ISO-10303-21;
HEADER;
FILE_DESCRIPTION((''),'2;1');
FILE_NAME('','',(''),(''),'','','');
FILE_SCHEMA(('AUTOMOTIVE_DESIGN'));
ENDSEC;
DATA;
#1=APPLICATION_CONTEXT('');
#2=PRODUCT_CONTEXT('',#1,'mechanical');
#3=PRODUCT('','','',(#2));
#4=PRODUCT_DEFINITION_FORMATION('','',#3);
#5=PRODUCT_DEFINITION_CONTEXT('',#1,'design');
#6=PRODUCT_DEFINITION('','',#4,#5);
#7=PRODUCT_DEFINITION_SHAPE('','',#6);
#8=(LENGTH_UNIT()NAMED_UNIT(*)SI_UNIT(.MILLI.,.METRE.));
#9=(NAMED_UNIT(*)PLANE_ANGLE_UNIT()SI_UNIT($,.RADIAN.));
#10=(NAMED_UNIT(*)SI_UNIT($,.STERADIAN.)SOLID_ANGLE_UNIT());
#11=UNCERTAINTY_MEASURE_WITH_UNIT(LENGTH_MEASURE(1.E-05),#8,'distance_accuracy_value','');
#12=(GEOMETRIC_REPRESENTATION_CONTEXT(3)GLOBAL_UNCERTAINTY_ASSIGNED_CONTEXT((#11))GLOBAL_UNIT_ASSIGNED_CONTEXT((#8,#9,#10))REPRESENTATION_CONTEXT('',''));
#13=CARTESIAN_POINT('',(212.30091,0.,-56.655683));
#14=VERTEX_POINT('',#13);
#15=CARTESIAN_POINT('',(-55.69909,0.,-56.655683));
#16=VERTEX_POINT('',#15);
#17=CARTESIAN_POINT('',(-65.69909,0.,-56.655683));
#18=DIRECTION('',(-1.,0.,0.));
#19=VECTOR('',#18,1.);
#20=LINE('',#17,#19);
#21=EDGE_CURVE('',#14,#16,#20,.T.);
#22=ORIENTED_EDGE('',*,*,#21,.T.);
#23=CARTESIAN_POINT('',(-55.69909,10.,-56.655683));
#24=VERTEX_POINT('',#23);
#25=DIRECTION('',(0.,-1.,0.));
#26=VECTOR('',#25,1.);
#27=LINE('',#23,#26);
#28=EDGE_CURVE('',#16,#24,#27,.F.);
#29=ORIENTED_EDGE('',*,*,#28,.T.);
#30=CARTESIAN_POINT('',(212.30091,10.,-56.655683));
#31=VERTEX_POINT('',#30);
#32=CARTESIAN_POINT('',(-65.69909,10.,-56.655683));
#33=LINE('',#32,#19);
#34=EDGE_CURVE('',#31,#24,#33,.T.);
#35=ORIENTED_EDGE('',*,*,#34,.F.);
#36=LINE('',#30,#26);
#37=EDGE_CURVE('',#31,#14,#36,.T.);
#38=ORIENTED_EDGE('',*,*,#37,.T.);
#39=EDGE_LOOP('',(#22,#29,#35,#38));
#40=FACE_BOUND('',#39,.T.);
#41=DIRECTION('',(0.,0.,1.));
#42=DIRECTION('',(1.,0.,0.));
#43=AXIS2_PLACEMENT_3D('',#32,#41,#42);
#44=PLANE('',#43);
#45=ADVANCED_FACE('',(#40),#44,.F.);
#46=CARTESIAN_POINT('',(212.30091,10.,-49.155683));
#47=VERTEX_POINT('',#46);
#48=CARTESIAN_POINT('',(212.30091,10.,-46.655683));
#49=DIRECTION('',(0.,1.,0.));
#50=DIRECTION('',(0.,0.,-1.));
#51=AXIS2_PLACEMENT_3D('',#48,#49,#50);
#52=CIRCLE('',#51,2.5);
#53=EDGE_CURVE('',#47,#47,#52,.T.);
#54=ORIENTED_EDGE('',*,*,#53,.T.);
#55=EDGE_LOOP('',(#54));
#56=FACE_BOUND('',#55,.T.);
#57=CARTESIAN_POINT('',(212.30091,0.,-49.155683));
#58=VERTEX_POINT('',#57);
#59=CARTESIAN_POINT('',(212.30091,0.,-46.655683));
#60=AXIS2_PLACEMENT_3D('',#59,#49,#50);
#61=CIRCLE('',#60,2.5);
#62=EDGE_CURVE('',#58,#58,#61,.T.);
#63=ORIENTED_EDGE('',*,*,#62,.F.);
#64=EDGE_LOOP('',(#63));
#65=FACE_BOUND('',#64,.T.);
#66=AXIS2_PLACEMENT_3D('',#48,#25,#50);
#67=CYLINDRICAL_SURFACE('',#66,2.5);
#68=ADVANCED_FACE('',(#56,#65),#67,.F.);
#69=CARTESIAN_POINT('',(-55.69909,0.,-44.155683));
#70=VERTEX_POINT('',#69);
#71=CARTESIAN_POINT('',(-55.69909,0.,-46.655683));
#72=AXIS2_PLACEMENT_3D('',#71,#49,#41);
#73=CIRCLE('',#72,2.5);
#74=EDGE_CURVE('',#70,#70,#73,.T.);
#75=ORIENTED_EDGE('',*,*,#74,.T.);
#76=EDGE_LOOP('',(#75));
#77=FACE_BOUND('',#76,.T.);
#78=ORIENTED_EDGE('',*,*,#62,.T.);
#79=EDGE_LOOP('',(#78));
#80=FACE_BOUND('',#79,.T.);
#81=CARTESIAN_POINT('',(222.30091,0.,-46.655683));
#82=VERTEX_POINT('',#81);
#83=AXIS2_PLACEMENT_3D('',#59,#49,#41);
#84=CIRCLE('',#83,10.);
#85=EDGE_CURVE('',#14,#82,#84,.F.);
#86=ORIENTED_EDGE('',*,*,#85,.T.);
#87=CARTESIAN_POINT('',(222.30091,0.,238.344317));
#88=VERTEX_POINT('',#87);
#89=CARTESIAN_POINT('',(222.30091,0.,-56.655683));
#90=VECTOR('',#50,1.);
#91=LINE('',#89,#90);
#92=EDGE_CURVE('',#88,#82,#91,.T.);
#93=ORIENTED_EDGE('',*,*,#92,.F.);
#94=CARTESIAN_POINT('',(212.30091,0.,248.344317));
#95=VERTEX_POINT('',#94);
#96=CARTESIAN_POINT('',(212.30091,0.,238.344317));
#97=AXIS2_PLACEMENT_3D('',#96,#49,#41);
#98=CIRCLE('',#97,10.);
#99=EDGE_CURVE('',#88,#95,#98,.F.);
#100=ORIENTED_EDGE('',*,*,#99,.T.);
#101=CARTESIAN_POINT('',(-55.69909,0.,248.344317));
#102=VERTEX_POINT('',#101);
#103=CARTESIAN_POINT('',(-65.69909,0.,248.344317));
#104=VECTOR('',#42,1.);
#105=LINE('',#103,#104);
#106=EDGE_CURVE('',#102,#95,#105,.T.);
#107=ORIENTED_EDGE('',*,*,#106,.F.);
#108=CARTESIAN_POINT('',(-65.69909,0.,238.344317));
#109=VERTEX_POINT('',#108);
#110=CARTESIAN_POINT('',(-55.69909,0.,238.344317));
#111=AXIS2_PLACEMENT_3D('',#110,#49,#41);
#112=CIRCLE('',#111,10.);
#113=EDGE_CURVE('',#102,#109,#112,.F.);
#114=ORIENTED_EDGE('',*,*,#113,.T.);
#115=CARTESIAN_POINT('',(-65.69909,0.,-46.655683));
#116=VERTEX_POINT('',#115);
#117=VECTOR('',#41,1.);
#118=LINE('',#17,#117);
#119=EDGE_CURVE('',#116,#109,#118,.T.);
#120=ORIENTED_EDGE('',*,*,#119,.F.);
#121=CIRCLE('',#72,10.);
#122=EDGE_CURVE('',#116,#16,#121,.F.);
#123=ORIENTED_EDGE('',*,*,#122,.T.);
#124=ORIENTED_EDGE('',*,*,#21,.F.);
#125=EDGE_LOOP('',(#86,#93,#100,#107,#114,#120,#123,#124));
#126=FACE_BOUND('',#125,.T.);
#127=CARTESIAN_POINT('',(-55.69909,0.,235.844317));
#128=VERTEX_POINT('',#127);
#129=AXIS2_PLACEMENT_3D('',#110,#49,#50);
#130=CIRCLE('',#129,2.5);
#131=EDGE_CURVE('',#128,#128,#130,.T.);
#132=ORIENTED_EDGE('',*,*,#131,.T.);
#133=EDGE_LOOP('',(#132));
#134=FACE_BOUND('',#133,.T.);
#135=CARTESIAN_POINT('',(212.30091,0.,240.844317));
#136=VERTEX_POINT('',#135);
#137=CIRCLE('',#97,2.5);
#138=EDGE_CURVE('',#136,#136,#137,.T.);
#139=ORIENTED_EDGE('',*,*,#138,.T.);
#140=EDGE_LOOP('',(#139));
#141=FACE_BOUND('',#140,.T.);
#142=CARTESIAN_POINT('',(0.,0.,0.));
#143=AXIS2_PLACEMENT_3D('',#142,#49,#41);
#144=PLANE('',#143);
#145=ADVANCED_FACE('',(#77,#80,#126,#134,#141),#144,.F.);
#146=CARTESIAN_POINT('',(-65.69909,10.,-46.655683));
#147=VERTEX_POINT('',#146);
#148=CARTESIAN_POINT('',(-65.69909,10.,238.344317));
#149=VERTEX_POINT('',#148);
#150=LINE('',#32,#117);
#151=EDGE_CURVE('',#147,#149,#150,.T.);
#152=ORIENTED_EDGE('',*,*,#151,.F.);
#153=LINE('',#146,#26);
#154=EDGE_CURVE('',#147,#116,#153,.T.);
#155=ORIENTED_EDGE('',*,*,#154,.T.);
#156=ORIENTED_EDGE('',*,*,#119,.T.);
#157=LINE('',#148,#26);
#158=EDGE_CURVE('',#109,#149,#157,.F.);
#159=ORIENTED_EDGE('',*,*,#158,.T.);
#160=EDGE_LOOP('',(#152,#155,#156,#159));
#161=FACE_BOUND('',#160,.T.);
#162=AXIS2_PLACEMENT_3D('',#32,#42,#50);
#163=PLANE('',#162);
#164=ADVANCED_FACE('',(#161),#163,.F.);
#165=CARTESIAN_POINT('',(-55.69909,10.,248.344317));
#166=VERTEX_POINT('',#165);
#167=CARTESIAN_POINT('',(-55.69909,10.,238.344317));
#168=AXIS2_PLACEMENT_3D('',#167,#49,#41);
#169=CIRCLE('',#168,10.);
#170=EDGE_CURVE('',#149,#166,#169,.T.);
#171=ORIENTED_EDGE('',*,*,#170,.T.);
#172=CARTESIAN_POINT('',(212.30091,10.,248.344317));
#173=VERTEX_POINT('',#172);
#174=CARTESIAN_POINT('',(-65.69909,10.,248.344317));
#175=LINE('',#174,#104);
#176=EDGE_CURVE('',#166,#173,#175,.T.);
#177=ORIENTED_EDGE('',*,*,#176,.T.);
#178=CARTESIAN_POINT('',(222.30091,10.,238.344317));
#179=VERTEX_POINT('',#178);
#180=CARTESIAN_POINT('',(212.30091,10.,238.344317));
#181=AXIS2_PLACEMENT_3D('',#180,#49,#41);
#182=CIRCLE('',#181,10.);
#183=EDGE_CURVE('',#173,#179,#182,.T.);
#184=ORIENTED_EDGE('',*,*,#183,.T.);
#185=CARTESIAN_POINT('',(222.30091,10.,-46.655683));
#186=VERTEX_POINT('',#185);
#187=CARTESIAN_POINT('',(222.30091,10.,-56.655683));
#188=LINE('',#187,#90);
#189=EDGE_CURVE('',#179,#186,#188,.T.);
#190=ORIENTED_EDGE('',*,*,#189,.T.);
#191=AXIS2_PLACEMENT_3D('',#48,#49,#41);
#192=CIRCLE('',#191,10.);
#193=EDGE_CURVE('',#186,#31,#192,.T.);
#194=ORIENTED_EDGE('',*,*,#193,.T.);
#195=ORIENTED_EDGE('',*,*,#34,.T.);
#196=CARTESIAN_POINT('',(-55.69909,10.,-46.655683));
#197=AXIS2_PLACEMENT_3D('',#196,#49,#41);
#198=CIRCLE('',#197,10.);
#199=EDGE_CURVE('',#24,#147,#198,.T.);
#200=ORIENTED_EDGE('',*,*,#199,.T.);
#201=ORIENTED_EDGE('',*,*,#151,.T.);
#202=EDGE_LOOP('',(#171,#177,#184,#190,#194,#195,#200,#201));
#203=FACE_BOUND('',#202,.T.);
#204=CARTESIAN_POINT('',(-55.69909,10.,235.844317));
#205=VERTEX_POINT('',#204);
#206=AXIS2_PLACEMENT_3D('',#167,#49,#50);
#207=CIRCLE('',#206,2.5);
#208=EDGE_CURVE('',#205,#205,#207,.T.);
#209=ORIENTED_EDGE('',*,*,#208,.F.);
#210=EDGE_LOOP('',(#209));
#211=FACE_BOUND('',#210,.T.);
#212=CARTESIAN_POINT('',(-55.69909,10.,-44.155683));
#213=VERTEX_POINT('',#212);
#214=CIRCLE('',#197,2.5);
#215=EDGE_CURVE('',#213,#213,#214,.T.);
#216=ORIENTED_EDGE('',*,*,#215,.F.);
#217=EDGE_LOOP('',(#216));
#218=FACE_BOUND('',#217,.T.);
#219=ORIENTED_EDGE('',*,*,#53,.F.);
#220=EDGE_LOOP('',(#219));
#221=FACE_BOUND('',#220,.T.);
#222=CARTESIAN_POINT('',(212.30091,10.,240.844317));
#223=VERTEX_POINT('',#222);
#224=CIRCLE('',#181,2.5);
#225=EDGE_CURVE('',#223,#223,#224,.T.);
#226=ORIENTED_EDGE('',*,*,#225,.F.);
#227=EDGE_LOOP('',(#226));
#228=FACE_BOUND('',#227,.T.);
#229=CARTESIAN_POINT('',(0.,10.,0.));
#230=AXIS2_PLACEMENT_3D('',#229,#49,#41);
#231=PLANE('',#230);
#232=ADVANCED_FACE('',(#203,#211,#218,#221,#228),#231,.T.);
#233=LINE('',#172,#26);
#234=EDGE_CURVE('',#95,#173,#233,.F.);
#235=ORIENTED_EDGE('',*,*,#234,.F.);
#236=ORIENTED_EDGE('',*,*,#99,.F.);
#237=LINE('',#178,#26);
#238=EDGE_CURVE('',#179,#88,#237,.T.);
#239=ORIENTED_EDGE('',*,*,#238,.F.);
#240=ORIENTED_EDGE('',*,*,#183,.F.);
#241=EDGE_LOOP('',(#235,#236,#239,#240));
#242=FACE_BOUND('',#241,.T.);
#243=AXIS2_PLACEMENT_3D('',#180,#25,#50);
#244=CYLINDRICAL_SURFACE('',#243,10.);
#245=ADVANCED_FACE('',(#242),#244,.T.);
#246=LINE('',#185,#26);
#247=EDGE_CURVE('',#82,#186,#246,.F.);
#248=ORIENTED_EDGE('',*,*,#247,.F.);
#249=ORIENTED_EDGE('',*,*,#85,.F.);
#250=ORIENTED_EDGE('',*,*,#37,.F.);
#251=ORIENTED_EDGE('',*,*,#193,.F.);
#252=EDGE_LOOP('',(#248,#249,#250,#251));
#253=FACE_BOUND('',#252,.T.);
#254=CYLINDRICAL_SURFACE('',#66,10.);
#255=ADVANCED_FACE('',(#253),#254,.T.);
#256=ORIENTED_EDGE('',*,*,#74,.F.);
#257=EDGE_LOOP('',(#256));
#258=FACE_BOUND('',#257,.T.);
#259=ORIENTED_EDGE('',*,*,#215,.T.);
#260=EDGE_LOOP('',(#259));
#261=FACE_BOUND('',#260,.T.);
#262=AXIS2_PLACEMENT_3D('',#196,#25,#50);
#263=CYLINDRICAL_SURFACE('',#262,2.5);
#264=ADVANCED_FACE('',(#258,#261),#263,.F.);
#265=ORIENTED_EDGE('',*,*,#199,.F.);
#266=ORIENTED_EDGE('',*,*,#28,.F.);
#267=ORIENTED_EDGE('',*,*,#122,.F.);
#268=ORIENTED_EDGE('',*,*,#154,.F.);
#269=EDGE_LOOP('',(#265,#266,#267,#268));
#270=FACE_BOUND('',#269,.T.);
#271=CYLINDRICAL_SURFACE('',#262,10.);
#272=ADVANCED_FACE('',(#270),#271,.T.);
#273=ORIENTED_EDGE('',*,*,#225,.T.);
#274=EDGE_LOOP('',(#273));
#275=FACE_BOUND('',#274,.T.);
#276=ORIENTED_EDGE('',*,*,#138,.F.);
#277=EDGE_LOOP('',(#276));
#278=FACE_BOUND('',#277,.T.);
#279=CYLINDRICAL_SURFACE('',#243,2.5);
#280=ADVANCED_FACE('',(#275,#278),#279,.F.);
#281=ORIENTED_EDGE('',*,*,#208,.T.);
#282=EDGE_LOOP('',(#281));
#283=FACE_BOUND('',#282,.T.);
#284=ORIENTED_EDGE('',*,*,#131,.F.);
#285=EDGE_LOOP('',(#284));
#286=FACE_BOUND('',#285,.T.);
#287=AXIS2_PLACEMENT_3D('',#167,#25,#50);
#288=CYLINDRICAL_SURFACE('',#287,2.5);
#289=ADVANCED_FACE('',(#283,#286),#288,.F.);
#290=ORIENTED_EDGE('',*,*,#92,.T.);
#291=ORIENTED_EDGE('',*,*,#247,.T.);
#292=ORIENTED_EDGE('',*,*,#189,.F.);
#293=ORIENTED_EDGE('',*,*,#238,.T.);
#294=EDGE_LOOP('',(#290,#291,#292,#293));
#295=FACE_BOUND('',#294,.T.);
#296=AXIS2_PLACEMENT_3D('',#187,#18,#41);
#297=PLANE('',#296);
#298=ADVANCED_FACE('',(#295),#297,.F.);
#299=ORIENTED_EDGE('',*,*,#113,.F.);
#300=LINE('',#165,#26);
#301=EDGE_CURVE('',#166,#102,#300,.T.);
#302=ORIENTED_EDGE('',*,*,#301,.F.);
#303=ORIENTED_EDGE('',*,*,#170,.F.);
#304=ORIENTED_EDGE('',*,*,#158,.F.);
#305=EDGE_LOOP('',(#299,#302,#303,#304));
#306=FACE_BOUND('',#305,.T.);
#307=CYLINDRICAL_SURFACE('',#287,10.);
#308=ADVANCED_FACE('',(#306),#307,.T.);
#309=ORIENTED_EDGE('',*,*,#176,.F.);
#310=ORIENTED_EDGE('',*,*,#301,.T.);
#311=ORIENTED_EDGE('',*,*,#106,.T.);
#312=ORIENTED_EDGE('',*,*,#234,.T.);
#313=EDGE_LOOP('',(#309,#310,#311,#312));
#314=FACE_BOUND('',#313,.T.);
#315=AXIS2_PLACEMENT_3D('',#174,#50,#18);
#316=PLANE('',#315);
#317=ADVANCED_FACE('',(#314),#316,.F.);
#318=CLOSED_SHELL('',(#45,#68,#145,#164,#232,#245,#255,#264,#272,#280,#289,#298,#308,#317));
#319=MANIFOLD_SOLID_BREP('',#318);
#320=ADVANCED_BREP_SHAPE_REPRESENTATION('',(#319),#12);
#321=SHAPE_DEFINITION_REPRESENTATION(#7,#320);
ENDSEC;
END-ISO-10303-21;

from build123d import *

# Parameters (mm, degrees)
SKETCH1_W           = 288
SKETCH1_H           = 305
SKETCH1_R           = 2.5
BOSS_EXTRUDE1_DEPTH = 10
FILLET1_R           = 10


with BuildPart() as part:
    # Sketch1 → Boss-Extrude1 (new body)
    with BuildSketch(Plane(origin=(0, 0, 0), x_dir=(1, 0, 0), z_dir=(0, 1, 0))):
        with Locations((78.30090957, -95.844317294)):
            Rectangle(SKETCH1_W, SKETCH1_H)
        with Locations(Location((-55.69909043, 46.655682706, 0), (0, 0, 270))):
            Circle(SKETCH1_R, mode=Mode.SUBTRACT)
        with Locations(Location((212.30090957, 46.655682706, 0), (0, 0, 90))):
            Circle(SKETCH1_R, mode=Mode.SUBTRACT)
        with Locations(Location((212.30090957, -238.344317294, 0), (0, 0, 270))):
            Circle(SKETCH1_R, mode=Mode.SUBTRACT)
        with Locations(Location((-55.69909043, -238.344317294, 0), (0, 0, 90))):
            Circle(SKETCH1_R, mode=Mode.SUBTRACT)
    extrude(amount=BOSS_EXTRUDE1_DEPTH)

    # Fillet1
    fillet1_edges = [part.edges().sort_by_distance(p)[0] for p in [
        (-65.69909043, 5, -56.655682706),
        (222.30090957, 5, -56.655682706),
        (222.30090957, 5, 248.344317294),
        (-65.69909043, 5, 248.344317294),
    ]]
    fillet(fillet1_edges, radius=FILLET1_R)


solid = part.part
